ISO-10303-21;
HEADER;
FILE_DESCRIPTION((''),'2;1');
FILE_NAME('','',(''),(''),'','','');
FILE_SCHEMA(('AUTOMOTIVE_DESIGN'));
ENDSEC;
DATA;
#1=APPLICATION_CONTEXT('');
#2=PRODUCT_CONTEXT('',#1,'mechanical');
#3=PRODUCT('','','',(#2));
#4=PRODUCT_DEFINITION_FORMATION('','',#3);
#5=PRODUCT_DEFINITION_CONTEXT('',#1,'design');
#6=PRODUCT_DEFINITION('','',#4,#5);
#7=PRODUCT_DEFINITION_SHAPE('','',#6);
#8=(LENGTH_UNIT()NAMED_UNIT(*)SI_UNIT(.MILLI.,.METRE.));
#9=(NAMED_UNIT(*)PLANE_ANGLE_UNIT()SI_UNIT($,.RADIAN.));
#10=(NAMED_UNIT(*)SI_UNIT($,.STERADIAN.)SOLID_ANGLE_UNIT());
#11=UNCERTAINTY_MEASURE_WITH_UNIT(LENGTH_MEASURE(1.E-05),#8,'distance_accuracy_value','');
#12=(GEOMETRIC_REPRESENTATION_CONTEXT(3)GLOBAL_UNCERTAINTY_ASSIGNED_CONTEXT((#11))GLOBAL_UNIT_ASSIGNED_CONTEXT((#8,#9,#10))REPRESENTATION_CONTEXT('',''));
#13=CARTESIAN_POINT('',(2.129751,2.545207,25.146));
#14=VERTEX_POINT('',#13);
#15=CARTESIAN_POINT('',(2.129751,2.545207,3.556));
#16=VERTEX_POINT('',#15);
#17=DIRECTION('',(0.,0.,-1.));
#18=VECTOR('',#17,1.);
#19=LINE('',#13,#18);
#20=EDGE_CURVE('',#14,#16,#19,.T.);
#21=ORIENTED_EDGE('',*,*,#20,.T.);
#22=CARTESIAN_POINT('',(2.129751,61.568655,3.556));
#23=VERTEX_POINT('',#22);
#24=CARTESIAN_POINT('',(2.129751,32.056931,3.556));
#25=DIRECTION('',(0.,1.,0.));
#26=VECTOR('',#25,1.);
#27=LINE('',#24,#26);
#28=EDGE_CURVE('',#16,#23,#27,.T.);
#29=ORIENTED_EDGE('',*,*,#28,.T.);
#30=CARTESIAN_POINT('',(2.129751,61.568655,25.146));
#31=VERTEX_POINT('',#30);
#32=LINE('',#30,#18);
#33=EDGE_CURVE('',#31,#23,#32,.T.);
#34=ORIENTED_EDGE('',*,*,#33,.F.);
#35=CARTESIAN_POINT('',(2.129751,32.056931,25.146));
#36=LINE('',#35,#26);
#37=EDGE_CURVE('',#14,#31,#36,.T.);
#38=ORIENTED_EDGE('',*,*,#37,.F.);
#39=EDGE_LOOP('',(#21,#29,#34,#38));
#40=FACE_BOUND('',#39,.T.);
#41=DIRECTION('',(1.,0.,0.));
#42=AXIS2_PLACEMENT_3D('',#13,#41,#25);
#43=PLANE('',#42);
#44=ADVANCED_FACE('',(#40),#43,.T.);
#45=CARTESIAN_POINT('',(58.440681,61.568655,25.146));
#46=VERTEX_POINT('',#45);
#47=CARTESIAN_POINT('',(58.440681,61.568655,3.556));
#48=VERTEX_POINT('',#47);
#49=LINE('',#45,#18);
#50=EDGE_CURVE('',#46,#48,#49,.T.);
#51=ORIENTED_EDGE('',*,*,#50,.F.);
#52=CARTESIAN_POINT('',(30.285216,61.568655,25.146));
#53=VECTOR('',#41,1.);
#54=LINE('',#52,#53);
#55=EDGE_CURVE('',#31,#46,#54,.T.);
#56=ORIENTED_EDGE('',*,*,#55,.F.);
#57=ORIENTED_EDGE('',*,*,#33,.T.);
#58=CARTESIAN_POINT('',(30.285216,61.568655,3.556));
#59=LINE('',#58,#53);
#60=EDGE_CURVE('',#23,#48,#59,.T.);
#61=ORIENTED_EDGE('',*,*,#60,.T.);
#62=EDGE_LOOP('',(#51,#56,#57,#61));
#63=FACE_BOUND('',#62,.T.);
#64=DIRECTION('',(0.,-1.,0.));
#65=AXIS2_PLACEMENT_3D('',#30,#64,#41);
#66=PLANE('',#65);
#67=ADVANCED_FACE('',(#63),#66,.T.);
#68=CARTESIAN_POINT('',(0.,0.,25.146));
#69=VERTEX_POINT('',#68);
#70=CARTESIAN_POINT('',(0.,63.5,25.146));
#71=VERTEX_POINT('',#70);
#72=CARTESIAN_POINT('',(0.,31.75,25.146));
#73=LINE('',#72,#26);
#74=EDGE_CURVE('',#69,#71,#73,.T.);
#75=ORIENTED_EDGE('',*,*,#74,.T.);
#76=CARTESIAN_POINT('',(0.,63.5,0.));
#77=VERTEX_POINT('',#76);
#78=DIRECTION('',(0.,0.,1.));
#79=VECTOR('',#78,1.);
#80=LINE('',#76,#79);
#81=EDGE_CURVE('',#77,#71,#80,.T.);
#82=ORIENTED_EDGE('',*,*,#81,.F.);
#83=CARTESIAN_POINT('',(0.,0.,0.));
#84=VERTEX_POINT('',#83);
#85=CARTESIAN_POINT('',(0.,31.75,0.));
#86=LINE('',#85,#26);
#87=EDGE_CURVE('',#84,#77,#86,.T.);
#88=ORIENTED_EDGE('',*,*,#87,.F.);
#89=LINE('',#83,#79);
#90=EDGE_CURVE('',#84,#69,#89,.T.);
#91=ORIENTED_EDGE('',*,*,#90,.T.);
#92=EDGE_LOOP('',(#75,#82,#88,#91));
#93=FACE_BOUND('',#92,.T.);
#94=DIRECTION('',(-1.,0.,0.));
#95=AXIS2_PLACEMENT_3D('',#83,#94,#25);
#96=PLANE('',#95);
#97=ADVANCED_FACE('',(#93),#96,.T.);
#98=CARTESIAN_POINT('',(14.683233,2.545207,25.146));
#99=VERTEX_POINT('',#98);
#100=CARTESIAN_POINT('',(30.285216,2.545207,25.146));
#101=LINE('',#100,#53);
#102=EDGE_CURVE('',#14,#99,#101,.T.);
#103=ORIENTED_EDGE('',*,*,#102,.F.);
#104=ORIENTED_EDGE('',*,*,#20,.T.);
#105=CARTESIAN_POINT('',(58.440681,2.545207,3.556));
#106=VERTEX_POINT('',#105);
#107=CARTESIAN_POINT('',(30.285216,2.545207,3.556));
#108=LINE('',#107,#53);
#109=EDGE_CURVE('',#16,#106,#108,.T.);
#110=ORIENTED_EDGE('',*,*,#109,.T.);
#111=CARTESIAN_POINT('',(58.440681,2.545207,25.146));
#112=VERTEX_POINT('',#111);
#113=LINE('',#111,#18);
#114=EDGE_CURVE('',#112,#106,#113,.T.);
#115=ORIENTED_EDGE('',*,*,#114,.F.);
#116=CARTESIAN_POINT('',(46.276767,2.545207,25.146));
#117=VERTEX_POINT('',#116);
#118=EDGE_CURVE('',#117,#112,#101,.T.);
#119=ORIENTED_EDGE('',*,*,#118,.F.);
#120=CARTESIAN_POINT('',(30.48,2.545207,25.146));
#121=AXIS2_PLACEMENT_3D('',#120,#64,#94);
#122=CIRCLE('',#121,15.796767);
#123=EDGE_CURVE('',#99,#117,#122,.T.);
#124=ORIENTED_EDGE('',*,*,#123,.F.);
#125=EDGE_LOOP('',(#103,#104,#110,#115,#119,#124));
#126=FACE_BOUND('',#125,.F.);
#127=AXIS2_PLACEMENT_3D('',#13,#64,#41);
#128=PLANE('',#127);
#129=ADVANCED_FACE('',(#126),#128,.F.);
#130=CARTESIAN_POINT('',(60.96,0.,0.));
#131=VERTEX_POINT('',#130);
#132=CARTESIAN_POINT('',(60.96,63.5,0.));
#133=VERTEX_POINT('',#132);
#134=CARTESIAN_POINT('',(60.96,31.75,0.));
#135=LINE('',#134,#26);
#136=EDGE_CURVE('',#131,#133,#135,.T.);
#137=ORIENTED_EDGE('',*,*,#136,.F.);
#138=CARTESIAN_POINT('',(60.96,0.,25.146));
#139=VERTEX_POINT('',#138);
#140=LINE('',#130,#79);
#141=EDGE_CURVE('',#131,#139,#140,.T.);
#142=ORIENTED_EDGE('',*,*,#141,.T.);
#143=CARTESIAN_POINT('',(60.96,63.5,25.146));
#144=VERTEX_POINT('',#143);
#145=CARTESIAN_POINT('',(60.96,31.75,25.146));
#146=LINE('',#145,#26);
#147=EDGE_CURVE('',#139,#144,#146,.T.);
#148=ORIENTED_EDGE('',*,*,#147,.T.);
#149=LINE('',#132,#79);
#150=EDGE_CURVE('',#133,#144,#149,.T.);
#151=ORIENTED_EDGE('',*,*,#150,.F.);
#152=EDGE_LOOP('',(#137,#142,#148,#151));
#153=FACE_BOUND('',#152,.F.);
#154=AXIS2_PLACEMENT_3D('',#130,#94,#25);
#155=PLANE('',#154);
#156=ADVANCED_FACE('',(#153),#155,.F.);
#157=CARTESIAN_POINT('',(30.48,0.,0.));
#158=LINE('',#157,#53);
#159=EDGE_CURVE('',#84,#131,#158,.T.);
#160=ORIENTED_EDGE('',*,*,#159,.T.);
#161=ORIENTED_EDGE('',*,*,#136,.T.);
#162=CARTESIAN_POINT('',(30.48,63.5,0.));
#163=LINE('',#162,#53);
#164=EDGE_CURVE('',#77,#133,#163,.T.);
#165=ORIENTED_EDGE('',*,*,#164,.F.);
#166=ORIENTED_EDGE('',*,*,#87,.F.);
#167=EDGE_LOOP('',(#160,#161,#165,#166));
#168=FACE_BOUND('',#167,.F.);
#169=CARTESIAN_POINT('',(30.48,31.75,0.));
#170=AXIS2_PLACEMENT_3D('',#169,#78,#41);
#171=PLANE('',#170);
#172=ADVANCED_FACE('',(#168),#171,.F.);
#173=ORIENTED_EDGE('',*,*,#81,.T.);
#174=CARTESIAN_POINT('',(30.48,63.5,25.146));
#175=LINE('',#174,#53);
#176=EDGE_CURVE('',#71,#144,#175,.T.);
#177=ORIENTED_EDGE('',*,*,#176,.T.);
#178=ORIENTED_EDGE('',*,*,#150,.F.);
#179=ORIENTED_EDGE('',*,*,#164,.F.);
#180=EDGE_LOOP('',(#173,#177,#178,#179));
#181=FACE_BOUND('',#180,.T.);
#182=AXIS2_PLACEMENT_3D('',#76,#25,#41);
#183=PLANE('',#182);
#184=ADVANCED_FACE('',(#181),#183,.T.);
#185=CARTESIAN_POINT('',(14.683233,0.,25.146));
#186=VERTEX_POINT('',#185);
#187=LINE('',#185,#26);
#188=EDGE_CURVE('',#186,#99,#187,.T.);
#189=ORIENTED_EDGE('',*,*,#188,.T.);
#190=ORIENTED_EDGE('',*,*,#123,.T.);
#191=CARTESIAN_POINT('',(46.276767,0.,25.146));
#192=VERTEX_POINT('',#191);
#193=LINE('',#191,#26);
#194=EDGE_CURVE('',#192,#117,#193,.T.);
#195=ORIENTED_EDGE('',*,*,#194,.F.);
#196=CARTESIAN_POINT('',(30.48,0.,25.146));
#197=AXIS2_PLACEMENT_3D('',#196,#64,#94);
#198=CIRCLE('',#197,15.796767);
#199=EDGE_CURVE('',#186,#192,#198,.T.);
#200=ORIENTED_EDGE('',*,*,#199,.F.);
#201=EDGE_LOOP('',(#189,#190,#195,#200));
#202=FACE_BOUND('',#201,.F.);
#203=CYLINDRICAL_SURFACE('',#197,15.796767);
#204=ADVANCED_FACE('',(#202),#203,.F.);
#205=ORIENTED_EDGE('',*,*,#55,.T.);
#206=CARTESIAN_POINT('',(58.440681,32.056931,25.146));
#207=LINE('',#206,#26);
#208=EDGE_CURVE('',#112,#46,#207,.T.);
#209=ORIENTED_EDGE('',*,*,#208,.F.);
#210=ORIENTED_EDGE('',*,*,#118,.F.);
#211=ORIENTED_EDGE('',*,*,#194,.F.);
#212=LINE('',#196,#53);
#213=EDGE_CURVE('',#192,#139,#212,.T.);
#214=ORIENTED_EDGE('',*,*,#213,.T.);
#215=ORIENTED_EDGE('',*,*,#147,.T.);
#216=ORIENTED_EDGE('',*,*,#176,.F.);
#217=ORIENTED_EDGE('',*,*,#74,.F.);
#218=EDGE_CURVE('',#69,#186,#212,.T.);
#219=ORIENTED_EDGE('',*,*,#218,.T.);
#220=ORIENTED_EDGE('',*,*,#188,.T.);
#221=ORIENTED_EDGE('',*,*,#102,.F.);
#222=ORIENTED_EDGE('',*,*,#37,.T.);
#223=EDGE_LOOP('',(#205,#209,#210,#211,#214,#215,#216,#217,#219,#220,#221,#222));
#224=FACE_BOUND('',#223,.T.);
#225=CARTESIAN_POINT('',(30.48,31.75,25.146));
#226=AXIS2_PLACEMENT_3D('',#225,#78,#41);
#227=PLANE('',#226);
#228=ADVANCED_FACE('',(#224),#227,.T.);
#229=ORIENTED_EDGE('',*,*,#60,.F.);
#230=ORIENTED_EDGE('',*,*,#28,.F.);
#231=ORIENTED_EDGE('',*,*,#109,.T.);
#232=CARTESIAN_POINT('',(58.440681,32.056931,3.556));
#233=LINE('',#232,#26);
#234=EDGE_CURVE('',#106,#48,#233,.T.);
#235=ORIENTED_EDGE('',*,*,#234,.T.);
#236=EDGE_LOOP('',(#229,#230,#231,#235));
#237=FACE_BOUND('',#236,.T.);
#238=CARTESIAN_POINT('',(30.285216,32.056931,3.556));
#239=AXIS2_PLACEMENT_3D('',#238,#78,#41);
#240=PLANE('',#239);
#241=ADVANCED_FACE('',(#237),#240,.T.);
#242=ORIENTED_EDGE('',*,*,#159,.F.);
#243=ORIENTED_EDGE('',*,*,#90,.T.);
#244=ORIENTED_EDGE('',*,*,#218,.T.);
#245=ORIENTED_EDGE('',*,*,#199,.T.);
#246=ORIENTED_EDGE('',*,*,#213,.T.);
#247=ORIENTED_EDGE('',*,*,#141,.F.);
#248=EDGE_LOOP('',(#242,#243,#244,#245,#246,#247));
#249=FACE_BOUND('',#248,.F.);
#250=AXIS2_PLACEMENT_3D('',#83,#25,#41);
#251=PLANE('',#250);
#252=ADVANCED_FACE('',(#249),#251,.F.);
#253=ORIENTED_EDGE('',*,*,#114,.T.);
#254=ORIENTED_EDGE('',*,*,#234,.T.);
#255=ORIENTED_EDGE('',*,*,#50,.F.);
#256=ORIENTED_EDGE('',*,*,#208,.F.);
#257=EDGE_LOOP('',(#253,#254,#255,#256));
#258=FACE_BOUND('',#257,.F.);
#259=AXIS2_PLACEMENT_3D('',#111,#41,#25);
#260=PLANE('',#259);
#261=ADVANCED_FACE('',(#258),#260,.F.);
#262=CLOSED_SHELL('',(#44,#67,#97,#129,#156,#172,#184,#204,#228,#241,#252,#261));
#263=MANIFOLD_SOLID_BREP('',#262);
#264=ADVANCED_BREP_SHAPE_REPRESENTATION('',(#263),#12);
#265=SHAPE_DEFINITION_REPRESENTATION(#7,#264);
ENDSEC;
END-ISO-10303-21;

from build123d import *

# Parameters (mm, degrees)
F0_W     = 60.96
F0_H     = 63.5
F1_DEPTH = 25.146
F2_W     = 56.310931
F2_H     = 59.023448
F3_DEPTH = 21.59
F5_DEPTH = 25.4


with BuildPart() as f1:
    # F0 (on Top) → F1 (new body)
    with BuildSketch(Plane.XY):
        with Locations((30.48, 31.75)):
            Rectangle(F0_W, F0_H)
    extrude(amount=F1_DEPTH)

    # F2 (on face) → F3 (cut)
    with BuildSketch(Plane.XY.offset(25.146)):
        with Locations((30.285216, 32.056931)):
            Rectangle(F2_W, F2_H)
    extrude(amount=-F3_DEPTH, mode=Mode.SUBTRACT)

    # F4 (on face) → F5 (cut)
    with BuildSketch(Plane.XZ):
        with BuildLine():
            ThreePointArc((14.683233, 25.146), (30.48, 9.349233), (46.276767, 25.146))
            Line((46.276767, 25.146), (14.683233, 25.146))
        make_face()
    extrude(amount=-F5_DEPTH, mode=Mode.SUBTRACT)


solid = f1.part
